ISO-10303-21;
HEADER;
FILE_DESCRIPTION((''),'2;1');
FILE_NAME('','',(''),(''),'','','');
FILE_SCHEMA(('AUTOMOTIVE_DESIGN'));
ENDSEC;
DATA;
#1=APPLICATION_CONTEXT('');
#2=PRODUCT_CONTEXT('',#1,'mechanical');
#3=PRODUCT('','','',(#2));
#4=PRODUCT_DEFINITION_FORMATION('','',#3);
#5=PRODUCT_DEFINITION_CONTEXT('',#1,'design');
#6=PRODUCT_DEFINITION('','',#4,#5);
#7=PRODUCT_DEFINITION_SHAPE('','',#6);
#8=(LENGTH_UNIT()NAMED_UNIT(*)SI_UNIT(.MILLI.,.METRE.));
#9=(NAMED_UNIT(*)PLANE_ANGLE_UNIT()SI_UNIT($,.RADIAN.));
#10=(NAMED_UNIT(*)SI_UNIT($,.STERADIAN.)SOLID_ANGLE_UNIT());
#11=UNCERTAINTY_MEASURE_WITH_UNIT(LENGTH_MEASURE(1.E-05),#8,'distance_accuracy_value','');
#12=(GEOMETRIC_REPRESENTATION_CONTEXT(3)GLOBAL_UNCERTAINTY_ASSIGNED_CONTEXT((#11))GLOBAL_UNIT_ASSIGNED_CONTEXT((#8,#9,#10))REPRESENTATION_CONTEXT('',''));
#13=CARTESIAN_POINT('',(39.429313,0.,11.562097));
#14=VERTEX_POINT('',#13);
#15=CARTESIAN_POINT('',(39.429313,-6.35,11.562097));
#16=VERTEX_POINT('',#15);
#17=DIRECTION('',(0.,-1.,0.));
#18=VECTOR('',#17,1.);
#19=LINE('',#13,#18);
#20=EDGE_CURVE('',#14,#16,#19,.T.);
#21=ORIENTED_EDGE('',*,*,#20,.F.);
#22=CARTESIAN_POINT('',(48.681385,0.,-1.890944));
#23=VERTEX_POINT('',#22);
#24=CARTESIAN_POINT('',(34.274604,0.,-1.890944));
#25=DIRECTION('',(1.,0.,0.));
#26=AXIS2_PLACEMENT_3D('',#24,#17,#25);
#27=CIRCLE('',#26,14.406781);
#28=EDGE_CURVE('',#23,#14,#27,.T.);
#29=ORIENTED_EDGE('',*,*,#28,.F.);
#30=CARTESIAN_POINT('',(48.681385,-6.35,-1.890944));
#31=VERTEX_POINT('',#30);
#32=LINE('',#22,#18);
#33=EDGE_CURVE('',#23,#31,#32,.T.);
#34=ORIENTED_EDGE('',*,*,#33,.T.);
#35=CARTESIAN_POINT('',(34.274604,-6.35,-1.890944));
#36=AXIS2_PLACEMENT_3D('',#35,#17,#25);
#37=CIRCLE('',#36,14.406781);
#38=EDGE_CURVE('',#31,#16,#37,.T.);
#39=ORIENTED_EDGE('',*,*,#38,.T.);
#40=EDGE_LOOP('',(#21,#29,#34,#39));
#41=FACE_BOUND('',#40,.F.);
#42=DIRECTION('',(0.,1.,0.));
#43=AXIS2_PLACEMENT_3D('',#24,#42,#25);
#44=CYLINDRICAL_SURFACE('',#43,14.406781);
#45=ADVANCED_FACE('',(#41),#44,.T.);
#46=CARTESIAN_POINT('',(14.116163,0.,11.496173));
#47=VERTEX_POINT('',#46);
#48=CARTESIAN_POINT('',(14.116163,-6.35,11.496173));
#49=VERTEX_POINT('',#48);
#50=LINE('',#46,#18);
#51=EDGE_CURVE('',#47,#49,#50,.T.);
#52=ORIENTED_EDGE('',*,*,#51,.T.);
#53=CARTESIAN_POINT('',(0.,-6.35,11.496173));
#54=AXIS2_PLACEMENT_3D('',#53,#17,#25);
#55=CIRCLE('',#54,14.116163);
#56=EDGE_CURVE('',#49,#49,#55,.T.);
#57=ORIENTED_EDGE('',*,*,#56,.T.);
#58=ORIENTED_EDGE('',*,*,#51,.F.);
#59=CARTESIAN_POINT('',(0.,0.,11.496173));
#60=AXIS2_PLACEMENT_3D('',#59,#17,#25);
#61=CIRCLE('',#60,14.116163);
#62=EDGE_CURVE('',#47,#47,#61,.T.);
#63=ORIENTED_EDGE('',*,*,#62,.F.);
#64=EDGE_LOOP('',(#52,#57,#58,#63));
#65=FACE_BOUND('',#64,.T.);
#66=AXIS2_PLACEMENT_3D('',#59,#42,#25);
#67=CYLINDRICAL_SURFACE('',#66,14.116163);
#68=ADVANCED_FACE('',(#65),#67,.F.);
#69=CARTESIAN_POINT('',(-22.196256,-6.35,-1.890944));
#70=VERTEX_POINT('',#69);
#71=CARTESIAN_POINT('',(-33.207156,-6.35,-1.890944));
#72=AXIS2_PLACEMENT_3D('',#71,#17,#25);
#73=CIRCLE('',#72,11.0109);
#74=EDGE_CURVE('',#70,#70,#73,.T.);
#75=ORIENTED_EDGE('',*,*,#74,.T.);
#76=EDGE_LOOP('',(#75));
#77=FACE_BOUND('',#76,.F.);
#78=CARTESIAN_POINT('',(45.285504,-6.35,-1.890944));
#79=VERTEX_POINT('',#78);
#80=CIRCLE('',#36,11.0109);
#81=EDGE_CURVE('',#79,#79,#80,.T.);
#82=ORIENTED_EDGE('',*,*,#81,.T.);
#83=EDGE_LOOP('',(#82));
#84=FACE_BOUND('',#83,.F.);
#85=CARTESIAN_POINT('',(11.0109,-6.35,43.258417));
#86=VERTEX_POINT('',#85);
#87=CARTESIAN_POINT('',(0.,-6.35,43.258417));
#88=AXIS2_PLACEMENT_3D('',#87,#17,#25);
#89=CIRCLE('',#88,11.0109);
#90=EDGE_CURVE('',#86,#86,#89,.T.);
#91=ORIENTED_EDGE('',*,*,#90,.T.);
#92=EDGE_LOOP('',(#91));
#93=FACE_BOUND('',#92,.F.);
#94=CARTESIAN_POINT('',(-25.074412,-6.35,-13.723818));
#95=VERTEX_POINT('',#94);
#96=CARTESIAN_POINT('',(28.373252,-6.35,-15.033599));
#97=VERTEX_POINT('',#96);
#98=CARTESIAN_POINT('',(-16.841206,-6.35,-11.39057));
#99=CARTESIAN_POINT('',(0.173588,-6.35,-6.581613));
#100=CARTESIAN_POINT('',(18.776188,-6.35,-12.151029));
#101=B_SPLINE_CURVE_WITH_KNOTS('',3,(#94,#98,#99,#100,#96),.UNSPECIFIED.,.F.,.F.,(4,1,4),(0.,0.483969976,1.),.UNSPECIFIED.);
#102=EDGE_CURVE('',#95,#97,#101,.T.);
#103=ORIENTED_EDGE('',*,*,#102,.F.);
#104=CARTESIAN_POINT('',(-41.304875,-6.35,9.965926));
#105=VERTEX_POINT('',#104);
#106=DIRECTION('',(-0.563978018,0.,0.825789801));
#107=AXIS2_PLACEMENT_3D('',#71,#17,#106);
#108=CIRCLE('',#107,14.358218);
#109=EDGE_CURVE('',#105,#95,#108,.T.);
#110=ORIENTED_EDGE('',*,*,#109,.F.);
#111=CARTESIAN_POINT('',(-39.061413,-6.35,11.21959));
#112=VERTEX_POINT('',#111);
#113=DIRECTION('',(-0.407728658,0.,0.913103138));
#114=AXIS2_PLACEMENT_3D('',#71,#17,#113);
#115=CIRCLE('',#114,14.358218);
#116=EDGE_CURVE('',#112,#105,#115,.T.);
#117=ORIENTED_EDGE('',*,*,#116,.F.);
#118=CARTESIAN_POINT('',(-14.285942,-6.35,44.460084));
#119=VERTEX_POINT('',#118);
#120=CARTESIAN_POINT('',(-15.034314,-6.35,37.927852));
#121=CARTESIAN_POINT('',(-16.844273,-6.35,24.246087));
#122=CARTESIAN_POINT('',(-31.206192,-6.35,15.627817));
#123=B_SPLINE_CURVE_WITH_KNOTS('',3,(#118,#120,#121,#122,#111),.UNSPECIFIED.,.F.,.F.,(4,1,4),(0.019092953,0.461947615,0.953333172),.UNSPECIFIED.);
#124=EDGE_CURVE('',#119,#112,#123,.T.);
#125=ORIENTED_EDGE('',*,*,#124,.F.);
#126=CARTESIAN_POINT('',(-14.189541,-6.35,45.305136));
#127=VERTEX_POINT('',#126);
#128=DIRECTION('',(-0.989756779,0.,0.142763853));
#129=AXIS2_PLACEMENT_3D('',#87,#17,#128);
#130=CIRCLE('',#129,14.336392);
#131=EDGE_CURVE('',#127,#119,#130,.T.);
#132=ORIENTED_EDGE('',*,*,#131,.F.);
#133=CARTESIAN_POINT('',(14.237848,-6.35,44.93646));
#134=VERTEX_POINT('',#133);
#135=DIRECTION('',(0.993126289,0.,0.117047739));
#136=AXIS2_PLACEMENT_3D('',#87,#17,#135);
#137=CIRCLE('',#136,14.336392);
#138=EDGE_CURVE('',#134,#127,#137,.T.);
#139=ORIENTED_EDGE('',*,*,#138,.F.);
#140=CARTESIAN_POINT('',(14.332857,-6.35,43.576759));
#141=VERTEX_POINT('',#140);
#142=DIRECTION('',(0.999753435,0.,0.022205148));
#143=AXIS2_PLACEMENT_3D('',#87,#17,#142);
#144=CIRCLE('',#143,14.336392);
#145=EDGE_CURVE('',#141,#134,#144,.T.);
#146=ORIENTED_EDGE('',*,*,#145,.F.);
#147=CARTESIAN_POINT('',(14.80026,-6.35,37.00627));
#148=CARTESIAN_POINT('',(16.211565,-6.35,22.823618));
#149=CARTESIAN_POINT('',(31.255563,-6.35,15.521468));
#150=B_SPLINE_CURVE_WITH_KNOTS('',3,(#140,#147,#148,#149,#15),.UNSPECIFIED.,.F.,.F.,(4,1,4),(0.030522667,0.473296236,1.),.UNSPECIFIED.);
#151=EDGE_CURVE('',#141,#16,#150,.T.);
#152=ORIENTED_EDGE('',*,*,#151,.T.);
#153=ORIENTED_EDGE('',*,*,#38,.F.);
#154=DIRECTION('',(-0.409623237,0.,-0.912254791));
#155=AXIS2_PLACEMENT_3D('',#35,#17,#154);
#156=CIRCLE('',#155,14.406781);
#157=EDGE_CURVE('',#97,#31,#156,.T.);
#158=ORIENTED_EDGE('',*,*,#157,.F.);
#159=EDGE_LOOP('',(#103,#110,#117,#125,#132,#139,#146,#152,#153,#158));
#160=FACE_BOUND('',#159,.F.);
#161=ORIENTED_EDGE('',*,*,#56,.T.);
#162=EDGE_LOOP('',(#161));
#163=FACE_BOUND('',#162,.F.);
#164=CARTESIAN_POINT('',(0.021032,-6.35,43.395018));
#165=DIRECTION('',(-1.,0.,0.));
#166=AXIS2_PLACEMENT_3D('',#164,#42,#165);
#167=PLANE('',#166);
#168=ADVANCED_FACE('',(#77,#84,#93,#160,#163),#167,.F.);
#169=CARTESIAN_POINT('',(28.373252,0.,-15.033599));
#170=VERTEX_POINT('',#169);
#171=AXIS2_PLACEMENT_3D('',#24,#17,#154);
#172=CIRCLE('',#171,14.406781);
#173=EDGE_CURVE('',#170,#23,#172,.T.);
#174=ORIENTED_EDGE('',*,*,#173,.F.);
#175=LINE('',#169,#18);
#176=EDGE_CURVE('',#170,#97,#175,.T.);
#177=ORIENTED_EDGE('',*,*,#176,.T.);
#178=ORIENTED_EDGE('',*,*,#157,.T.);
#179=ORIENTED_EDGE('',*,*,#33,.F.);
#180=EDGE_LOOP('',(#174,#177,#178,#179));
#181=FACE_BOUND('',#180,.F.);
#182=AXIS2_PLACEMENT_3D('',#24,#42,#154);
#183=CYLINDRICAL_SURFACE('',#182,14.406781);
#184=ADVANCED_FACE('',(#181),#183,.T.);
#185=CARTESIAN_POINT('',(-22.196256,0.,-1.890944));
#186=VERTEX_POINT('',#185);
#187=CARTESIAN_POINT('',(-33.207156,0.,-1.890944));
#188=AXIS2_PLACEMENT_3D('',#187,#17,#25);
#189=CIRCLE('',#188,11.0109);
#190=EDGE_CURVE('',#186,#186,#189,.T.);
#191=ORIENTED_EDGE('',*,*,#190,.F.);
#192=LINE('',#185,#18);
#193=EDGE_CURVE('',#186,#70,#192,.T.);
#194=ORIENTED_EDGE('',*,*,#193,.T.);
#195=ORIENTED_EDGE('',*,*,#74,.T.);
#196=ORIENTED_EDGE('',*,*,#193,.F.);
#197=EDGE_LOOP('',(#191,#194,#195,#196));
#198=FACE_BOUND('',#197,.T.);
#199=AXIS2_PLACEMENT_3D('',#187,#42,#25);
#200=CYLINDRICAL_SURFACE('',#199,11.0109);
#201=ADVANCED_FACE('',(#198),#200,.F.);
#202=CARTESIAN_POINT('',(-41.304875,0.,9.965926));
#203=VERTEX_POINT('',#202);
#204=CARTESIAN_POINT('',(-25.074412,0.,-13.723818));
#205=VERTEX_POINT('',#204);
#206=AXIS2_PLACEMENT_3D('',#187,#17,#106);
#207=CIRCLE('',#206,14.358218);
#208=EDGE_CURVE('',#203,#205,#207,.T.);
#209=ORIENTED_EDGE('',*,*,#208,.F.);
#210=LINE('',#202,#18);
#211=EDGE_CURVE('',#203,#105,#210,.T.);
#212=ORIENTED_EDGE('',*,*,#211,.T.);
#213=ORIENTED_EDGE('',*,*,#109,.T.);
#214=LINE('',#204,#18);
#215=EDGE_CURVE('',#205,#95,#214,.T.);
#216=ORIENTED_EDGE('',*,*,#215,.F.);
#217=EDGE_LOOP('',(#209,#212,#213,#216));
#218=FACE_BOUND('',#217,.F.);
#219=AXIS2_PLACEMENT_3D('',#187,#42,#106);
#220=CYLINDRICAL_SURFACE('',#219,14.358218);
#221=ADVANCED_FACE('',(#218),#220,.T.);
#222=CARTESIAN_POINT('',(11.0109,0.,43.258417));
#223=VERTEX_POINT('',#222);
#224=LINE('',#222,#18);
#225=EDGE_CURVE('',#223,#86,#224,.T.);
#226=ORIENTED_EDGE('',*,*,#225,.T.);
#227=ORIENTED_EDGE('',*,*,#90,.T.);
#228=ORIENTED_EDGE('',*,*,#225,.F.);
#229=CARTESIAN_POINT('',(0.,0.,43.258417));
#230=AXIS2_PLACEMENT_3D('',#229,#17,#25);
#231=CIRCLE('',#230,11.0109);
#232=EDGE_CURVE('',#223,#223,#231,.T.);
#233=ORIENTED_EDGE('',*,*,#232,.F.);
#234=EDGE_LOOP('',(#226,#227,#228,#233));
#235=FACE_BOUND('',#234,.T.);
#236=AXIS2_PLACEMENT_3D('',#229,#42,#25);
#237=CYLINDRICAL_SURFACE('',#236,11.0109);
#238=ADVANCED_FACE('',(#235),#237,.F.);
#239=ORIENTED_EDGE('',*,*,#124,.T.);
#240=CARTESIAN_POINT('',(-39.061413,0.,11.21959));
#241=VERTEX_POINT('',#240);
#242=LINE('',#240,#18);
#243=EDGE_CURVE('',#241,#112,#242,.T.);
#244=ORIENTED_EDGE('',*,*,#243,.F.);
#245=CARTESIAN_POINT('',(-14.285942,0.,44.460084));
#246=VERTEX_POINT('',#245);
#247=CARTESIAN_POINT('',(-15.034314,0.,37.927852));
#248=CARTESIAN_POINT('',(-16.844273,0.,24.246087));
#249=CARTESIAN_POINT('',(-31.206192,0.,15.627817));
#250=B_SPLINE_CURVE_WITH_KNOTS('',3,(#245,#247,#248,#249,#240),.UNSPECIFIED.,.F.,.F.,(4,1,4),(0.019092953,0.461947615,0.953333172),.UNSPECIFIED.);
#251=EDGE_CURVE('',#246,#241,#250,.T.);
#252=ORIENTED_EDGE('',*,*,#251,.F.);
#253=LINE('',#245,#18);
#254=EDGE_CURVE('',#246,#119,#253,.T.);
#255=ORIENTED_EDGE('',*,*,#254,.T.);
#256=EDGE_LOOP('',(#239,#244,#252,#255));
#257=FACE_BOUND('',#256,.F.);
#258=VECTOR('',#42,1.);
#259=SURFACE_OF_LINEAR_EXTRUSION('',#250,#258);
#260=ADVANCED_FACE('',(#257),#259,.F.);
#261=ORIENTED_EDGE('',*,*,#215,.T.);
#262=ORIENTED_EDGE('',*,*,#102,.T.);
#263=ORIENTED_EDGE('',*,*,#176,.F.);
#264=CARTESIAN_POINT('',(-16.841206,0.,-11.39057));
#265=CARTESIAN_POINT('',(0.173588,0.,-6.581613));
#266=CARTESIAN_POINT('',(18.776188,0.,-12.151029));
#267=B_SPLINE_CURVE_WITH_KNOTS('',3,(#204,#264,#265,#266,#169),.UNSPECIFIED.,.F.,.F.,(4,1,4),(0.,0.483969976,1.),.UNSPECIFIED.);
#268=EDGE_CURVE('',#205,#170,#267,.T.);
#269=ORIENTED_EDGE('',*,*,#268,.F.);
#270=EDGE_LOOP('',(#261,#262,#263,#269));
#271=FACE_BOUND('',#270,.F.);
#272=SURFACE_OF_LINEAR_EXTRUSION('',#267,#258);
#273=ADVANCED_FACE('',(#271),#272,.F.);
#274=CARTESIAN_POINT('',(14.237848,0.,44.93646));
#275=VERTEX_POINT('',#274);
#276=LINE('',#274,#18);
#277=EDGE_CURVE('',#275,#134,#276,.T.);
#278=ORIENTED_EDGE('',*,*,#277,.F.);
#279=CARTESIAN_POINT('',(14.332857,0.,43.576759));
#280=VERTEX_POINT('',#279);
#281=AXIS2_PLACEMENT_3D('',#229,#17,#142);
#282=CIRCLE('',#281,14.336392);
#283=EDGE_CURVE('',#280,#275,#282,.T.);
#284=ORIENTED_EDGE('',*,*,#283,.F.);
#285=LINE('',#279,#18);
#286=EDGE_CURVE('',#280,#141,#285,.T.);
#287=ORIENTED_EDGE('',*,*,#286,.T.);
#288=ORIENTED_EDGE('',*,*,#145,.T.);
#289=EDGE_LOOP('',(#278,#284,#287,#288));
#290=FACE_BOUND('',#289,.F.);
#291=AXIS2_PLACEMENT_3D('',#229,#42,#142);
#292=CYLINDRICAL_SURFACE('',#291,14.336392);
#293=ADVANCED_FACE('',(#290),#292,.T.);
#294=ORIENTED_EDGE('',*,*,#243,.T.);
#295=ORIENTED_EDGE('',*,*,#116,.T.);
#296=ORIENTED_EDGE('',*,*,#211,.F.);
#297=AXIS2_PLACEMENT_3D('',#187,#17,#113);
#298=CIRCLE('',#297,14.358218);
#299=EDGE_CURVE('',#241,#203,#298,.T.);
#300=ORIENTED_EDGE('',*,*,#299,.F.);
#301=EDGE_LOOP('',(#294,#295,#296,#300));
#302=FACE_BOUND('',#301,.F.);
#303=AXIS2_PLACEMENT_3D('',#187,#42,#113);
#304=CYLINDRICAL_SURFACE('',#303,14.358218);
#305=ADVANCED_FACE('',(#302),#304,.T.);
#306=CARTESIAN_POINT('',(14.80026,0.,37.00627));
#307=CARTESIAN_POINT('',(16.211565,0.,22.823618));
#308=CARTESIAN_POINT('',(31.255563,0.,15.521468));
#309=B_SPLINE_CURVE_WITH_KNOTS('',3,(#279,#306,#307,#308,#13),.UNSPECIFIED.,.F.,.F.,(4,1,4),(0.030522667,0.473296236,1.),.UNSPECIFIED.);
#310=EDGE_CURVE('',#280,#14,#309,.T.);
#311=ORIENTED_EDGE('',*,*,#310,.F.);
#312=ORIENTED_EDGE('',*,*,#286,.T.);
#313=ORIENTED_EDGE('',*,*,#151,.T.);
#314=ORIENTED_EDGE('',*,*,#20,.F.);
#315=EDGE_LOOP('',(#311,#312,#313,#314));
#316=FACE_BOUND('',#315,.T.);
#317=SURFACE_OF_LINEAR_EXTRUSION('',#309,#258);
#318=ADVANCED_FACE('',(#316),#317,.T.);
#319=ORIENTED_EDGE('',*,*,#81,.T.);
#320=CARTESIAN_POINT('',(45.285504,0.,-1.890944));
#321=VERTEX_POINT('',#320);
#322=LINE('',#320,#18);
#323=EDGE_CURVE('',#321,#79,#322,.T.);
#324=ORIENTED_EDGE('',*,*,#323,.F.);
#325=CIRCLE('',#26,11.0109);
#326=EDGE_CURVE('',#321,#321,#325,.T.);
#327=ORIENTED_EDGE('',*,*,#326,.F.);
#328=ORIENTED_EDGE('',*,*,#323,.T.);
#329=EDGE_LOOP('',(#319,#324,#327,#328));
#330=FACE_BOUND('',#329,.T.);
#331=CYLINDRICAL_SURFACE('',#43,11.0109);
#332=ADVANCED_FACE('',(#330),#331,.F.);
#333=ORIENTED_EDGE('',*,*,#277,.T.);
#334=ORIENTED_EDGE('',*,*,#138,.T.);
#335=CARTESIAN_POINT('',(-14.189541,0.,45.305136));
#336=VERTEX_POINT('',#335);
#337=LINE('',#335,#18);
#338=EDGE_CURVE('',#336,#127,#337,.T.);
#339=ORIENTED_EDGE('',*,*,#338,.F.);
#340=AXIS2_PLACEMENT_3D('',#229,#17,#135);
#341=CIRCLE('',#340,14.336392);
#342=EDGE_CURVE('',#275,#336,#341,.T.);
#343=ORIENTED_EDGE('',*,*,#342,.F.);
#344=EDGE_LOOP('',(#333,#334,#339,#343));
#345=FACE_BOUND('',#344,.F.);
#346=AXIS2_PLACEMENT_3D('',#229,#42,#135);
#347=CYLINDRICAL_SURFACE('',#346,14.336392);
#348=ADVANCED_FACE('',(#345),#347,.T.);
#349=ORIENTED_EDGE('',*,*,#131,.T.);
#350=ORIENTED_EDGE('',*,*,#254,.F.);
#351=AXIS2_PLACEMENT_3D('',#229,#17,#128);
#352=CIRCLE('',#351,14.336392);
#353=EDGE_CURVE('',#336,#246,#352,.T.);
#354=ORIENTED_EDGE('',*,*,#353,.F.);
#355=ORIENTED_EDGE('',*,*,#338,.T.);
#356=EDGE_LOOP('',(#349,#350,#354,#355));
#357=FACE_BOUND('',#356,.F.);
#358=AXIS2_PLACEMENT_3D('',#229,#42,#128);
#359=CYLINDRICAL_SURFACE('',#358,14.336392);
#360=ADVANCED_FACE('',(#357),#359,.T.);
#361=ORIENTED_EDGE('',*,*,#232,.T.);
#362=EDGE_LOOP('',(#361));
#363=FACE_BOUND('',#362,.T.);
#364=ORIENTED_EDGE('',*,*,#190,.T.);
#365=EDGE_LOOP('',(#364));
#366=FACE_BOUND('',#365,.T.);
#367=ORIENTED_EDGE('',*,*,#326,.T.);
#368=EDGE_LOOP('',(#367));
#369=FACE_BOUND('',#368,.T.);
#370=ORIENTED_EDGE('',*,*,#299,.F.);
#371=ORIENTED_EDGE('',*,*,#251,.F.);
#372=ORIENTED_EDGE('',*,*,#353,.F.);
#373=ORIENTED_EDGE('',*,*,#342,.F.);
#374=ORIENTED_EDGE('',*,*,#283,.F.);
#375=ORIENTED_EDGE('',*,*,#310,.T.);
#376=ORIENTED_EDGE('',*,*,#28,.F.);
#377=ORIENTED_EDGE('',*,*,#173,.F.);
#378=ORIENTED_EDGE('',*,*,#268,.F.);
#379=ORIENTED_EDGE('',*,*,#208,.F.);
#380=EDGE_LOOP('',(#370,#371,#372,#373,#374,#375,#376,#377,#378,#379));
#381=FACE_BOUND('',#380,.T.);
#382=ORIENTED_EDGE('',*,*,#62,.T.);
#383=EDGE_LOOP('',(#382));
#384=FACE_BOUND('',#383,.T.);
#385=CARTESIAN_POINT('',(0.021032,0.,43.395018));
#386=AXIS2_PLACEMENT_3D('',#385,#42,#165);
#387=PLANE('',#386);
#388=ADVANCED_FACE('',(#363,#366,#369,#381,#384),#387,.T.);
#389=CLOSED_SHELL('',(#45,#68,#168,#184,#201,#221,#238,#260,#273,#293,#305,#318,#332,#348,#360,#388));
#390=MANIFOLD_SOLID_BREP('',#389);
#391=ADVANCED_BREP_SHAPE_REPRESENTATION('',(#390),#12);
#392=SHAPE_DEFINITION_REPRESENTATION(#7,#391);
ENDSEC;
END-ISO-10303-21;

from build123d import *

# Parameters (mm, degrees)
F0_R     = 11.0109
F0_R_2   = 14.1161629055
F1_DEPTH = 6.35


with BuildPart() as f1:
    # F0 (on Front) → F1 (new body)
    with BuildSketch(Plane.XZ):
        with BuildLine():
            add(Edge.make_bspline(
                [(14.2378477878, 44.936459669), (14.2692580265, 44.4830769346), (14.3006366518, 44.0296968618), (14.3328571489, 43.5767591031)],
                knots=[0, 0, 0, 0, 0.0305226673, 0.0305226673, 0.0305226673, 0.0305226673], degree=3))
            ThreePointArc((14.2378477878, 44.936459669), (0.1859137764, 57.5936038827), (-14.1895411716, 45.3051359496))
            add(Edge.make_bspline(
                [(-14.1895411716, 45.3051359496), (-14.2216158391, 45.0234232666), (-14.2536769794, 44.7417099752), (-14.2859418326, 44.4600835103)],
                knots=[0, 0, 0, 0, 0.0190929531, 0.0190929531, 0.0190929531, 0.0190929531], degree=3))
            ThreePointArc((-14.2859418326, 44.4600835103), (-0.6013623419, 28.9346434947), (14.336391997, 43.2584173977))
            ThreePointArc((14.336391997, 43.2584173977), (14.3355082577, 43.4175980628), (14.3328571489, 43.5767591031))
        make_face()
        with Locations((0, 43.2584173977)):
            Circle(F0_R, mode=Mode.SUBTRACT)
        with BuildLine():
            ThreePointArc((14.3328571489, 43.5767591031), (14.3015206028, 44.2577391378), (14.2378477878, 44.936459669))
            add(Edge.make_bspline(
                [(14.2378477878, 44.936459669), (14.2692580265, 44.4830769346), (14.3006366518, 44.0296968618), (14.3328571489, 43.5767591031)],
                knots=[0, 0, 0, 0, 0.0305226673, 0.0305226673, 0.0305226673, 0.0305226673], degree=3))
        make_face()
        with BuildLine():
            add(Edge.make_bspline(
                [(-14.1895411716, 45.3051359496), (-14.2216158391, 45.0234232666), (-14.2536769794, 44.7417099752), (-14.2859418326, 44.4600835103)],
                knots=[0, 0, 0, 0, 0.0190929531, 0.0190929531, 0.0190929531, 0.0190929531], degree=3))
            ThreePointArc((-14.1895411716, 45.3051359496), (-14.2440096703, 44.8833247809), (-14.2859418326, 44.4600835103))
        make_face()
        with BuildLine():
            add(Edge.make_bspline(
                [(14.3328571489, 43.5767591031), (14.8002600895, 37.0062695163), (16.2115652733, 22.8236179544), (31.2555625407, 15.5214679724), (39.4293133759, 11.5620974024)],
                knots=[0.0305226673, 0.0305226673, 0.0305226673, 0.0305226673, 0.4732962362, 1, 1, 1, 1], degree=3))
            ThreePointArc((14.3328571489, 43.5767591031), (14.3355082577, 43.4175980628), (14.336391997, 43.2584173977))
            ThreePointArc((14.336391997, 43.2584173977), (-0.6013623419, 28.9346434947), (-14.2859418326, 44.4600835103))
            add(Edge.make_bspline(
                [(-14.2859418326, 44.4600835103), (-15.0343143138, 37.9278518415), (-16.8442731817, 24.2460870484), (-31.2061924175, 15.6278170074), (-39.061412584, 11.2195897613)],
                knots=[0.0190929531, 0.0190929531, 0.0190929531, 0.0190929531, 0.4619476147, 0.9533331716, 0.9533331716, 0.9533331716, 0.9533331716], degree=3))
            ThreePointArc((-39.061412584, 11.2195897613), (-25.3936507621, 10.1551158407), (-18.8489380989, -1.8909438513))
            ThreePointArc((-18.8489380989, -1.8909438513), (-20.5002656427, -8.5762529664), (-25.0744124588, -13.7238175873))
            add(Edge.make_bspline(
                [(-25.0744124588, -13.7238175873), (-16.8412057321, -11.3905698061), (0.1735884464, -6.5816131812), (18.7761875451, -12.1510294851), (28.3732517974, -15.0335990669)],
                knots=[0, 0, 0, 0, 0.4839699757, 1, 1, 1, 1], degree=3))
            ThreePointArc((28.3732517974, -15.0335990669), (20.9715166849, 3.6392649404), (39.4293133759, 11.5620974024))
        make_face()
        with Locations((0, 11.4961732179)):
            Circle(F0_R_2, mode=Mode.SUBTRACT)
        with BuildLine():
            ThreePointArc((48.6813854206, -1.8909438513), (46.145116247, 6.2727739919), (39.4293133759, 11.5620974024))
            ThreePointArc((39.4293133759, 11.5620974024), (20.9715166849, 3.6392649404), (28.3732517974, -15.0335990669))
            ThreePointArc((28.3732517974, -15.0335990669), (42.1019872984, -13.9858774742), (48.6813854206, -1.8909438513))
        make_face()
        with Locations((34.2746041715, -1.8909438513)):
            Circle(F0_R, mode=Mode.SUBTRACT)
        with BuildLine():
            add(Edge.make_bspline(
                [(-39.061412584, 11.2195897613), (-39.8074219165, 10.8009409398), (-40.5561481429, 10.3834173098), (-41.3048749035, 9.9659258562)],
                knots=[0.9533331716, 0.9533331716, 0.9533331716, 0.9533331716, 1, 1, 1, 1], degree=3))
            ThreePointArc((-39.061412584, 11.2195897613), (-40.2112493235, 10.6430534333), (-41.3048749035, 9.9659258562))
        make_face()
        with BuildLine():
            ThreePointArc((-18.8489380989, -1.8909438513), (-25.3936507621, 10.1551158407), (-39.061412584, 11.2195897613))
            add(Edge.make_bspline(
                [(-39.061412584, 11.2195897613), (-39.8074219165, 10.8009409398), (-40.5561481429, 10.3834173098), (-41.3048749035, 9.9659258562)],
                knots=[0.9533331716, 0.9533331716, 0.9533331716, 0.9533331716, 1, 1, 1, 1], degree=3))
            ThreePointArc((-41.3048749035, 9.9659258562), (-45.0520404312, -10.0061839429), (-25.0744124588, -13.7238175873))
            ThreePointArc((-25.0744124588, -13.7238175873), (-20.5002656427, -8.5762529664), (-18.8489380989, -1.8909438513))
        make_face()
        with Locations((-33.2071557641, -1.8909438513)):
            Circle(F0_R, mode=Mode.SUBTRACT)
    extrude(amount=F1_DEPTH)


solid = f1.part
